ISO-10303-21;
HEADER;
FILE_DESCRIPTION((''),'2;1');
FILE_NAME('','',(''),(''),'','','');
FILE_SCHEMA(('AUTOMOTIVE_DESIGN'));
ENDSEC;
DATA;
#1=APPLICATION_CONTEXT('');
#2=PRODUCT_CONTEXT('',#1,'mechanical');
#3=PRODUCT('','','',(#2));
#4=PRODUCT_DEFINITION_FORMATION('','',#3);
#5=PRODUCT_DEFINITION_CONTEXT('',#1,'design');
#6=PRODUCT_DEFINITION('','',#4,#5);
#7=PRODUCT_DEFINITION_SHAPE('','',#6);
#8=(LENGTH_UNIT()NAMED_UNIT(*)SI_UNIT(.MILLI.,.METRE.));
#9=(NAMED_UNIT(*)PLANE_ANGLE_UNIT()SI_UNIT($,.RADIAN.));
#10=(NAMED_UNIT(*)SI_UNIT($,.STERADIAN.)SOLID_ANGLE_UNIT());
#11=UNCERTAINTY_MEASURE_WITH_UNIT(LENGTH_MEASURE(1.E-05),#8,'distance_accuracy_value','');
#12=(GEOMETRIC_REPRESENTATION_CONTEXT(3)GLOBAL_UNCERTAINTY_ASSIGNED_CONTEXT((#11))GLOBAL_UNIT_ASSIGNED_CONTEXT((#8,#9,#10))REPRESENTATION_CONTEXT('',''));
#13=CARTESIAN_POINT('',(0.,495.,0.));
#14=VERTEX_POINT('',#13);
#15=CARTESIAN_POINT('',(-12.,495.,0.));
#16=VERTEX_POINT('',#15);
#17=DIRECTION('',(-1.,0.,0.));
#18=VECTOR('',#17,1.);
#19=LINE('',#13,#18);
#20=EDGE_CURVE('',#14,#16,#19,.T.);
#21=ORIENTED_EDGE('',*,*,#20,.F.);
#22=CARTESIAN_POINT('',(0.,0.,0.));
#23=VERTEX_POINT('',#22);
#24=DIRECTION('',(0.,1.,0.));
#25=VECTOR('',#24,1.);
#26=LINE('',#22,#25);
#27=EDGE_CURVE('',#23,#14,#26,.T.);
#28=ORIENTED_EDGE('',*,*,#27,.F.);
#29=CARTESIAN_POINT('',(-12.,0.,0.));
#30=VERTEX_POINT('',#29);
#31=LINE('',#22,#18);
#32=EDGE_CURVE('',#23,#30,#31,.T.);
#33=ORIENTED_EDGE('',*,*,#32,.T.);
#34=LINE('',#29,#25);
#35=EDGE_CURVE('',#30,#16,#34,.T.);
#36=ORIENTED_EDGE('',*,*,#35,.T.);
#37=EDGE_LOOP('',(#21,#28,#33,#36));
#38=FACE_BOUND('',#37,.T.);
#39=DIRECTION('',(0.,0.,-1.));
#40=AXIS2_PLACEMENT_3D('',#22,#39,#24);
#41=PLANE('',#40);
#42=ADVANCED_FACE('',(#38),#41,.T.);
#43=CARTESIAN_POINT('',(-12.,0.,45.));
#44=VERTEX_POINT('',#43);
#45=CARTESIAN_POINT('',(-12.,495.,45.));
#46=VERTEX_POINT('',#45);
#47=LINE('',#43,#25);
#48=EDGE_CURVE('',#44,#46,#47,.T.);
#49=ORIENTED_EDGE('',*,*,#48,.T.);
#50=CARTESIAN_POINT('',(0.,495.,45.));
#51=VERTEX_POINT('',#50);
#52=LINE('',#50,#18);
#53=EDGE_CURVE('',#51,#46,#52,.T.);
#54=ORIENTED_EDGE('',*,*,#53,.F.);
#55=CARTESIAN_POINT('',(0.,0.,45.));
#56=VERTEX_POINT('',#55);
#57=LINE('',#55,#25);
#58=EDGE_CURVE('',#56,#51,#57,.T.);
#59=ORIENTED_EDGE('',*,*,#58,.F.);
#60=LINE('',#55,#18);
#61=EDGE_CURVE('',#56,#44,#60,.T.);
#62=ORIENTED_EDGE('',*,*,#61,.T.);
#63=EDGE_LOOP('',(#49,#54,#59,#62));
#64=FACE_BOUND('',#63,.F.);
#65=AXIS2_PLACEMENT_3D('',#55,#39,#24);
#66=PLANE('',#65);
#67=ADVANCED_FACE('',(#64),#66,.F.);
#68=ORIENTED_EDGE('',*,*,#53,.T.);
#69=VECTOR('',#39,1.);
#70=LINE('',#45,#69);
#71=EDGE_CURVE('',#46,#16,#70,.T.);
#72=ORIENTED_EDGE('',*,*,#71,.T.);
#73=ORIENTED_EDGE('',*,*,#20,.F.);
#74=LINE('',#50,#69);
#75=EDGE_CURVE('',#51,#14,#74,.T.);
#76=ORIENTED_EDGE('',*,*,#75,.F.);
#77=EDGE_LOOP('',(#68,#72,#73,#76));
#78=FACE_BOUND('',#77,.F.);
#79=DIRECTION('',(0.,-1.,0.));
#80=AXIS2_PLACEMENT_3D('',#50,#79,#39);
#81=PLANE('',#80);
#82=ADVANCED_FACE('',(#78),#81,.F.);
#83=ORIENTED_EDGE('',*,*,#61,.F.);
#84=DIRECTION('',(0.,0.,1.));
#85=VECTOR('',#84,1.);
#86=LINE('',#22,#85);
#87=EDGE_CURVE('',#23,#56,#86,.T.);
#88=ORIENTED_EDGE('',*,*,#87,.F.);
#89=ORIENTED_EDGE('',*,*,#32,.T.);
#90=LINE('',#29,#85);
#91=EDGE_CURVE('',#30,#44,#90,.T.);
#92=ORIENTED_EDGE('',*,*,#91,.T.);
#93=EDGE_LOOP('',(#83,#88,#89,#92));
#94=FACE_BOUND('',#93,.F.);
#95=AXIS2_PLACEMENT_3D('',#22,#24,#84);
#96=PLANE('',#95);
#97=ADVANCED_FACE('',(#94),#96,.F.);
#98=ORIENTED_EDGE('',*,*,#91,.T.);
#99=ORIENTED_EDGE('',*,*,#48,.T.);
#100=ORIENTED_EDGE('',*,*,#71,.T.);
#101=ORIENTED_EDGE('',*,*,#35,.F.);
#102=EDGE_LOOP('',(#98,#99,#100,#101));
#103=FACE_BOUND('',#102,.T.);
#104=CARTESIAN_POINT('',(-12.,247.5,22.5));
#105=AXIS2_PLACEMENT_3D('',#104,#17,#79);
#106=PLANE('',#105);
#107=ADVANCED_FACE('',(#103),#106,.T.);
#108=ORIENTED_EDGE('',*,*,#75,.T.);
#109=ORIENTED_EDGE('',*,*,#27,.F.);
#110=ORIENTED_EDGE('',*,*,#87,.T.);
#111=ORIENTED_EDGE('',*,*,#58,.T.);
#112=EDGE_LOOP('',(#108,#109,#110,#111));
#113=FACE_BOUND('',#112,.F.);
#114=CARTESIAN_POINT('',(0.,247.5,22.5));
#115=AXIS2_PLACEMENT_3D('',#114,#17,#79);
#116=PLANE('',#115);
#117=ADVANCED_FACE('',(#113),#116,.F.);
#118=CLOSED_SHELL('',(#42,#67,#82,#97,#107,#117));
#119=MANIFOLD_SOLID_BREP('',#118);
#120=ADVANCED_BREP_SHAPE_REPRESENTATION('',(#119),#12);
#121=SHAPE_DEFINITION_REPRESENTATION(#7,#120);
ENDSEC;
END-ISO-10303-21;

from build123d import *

# Parameters (mm, degrees)
PAD_DEPTH = 12


with BuildPart() as part:
    # Sketch → Pad (new body)
    with BuildSketch(Plane.YZ):
        Polygon((0, 0), (0, 45), (495, 45), (495, 0), (247.5, 0), align=None)
    extrude(amount=-PAD_DEPTH)


solid = part.part
